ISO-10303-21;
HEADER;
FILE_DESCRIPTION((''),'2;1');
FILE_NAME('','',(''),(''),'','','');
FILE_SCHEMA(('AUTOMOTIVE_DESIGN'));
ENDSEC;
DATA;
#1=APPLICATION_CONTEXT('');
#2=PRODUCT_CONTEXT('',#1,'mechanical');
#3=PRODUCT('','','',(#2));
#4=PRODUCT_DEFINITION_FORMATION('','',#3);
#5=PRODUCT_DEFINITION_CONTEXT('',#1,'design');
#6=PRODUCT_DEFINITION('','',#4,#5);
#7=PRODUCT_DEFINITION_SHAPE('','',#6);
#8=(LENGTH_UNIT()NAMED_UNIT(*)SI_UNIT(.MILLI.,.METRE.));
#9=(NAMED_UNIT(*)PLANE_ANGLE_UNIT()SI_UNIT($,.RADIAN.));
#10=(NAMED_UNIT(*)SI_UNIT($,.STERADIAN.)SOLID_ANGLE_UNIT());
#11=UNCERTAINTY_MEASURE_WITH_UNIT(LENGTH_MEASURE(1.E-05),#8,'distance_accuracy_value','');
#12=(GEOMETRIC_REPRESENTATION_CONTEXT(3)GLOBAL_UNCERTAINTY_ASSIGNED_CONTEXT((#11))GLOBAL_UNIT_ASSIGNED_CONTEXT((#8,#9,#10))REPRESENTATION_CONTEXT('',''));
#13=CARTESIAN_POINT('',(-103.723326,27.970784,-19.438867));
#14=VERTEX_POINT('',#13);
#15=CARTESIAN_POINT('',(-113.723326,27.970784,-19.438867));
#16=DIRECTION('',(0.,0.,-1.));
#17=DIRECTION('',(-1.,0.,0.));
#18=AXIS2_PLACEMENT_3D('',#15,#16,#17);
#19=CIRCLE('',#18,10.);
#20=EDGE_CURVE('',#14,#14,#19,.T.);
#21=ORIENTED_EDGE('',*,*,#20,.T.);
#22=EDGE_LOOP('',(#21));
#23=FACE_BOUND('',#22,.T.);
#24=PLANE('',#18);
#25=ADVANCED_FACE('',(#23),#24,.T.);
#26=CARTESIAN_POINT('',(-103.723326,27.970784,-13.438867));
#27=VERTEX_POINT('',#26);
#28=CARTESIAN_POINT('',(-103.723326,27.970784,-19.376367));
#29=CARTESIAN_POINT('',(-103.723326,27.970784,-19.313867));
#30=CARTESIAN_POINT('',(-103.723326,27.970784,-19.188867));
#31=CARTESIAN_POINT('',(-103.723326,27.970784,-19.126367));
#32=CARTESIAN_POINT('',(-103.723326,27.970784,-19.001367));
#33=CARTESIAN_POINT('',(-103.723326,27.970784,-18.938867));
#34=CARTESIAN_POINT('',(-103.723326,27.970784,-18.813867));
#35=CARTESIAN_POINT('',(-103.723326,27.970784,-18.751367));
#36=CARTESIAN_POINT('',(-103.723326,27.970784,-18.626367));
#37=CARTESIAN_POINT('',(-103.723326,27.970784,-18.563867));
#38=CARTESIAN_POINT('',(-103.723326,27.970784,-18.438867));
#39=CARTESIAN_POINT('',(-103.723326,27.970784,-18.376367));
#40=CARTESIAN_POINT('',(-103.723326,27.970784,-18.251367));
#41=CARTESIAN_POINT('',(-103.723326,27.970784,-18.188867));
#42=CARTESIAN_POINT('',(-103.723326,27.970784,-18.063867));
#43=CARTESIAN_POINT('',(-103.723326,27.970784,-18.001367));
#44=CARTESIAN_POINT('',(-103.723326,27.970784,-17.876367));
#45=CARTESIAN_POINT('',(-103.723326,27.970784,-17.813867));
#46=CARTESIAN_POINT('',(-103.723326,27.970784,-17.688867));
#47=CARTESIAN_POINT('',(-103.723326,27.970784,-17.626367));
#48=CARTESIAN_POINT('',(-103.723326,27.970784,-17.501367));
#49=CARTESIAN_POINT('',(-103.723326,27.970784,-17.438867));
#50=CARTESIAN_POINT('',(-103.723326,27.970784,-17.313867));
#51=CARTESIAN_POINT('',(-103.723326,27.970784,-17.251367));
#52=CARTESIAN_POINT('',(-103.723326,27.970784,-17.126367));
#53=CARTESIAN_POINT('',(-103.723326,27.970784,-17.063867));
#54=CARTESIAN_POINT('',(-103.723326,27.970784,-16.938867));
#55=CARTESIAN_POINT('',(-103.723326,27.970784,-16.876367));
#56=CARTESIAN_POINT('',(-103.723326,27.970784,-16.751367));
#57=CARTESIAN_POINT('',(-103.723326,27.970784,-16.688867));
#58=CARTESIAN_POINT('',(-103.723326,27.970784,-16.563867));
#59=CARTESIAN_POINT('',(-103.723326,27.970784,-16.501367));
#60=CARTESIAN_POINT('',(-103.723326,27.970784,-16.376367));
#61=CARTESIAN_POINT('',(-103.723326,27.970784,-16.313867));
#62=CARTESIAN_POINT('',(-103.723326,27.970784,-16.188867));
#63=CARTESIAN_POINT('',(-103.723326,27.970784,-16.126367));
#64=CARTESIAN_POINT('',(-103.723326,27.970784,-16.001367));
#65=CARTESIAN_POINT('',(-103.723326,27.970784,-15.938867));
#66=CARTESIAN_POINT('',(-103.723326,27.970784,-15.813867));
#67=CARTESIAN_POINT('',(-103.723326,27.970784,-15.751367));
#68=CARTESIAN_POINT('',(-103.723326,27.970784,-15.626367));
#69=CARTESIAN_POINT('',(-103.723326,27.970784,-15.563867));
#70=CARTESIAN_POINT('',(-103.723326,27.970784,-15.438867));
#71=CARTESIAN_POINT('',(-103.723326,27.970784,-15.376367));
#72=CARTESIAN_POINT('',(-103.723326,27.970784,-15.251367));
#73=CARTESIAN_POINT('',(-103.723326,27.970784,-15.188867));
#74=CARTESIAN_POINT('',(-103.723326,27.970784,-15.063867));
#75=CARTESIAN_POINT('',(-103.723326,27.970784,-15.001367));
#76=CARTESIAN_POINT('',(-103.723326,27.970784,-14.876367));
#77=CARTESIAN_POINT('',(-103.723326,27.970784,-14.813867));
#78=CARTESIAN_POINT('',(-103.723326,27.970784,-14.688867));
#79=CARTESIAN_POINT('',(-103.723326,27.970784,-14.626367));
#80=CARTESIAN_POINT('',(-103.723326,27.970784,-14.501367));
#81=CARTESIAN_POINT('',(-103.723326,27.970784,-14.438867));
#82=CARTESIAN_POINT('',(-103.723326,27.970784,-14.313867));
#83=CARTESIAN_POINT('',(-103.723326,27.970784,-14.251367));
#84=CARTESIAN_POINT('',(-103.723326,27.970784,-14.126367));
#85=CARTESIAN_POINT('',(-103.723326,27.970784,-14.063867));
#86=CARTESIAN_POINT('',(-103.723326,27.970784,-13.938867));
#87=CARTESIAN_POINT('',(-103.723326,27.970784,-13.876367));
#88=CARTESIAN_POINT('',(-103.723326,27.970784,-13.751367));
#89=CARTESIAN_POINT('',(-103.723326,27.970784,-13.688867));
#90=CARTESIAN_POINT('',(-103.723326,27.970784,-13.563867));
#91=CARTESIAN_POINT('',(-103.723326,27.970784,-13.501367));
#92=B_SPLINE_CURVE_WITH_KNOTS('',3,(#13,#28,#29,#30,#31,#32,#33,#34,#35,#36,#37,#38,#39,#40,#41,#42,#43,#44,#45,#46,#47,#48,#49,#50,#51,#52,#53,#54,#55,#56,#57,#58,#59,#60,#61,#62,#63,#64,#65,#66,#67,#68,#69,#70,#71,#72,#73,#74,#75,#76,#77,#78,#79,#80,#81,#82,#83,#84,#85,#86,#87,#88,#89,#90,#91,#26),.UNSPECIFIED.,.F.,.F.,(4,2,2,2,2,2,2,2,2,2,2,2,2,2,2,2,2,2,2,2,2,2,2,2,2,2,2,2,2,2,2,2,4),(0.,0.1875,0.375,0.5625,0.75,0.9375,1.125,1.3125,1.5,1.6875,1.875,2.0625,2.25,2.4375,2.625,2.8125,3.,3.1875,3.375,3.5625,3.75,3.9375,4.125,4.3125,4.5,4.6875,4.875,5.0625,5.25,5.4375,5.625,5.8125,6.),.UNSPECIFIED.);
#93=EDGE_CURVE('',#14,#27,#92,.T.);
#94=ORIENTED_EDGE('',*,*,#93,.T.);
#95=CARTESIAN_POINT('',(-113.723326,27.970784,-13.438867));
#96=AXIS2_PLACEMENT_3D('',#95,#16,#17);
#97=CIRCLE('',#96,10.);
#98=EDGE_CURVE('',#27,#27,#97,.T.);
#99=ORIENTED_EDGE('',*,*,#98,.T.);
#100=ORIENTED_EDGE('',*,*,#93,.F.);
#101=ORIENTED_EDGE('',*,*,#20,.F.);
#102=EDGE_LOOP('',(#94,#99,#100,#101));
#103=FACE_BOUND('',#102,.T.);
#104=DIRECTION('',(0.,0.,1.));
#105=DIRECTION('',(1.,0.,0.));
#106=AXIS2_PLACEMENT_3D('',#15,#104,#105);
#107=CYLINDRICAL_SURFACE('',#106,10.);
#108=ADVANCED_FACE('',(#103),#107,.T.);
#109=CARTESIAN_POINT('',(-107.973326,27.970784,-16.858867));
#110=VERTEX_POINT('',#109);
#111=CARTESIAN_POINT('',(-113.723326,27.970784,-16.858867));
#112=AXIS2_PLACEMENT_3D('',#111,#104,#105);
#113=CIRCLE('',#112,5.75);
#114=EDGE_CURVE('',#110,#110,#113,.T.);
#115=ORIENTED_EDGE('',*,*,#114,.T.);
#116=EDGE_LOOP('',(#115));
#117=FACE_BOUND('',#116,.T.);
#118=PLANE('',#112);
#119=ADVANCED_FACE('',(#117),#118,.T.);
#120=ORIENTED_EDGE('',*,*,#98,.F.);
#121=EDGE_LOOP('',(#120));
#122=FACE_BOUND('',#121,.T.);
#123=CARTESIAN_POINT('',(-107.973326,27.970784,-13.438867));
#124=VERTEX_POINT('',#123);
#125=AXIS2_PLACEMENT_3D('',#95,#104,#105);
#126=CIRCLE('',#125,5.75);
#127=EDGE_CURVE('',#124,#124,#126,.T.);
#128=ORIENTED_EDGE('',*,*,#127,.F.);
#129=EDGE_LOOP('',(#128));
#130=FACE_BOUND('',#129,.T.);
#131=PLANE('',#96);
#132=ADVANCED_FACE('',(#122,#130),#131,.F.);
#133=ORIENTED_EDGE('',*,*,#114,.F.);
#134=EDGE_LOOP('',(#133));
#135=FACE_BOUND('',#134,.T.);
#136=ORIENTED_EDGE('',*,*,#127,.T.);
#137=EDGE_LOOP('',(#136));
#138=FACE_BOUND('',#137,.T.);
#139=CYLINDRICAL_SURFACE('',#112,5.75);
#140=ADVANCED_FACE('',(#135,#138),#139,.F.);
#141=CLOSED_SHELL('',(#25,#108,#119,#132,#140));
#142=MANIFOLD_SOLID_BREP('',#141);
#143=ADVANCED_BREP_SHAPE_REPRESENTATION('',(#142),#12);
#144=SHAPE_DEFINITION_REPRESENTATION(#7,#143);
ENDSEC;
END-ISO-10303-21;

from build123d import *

# Parameters (mm, degrees)
EXTRUDE_START       = -13.438867
SKETCH_1_R          = 10
EXTRUDE_1_DEPTH     = 6
SKETCH_2_R          = 5.75
CUT_EXTRUDE_1_DEPTH = 3.42


with BuildPart() as part:
    # 草图1 → 凸台-拉伸1 (new body)
    with BuildSketch(Plane.XY.offset(EXTRUDE_START)):
        with Locations((-113.723326446, 27.970784046)):
            Circle(SKETCH_1_R)
    extrude(amount=-EXTRUDE_1_DEPTH)

    # 草图2 → 切除-拉伸1 (cut)
    with BuildSketch(Plane.XY.offset(-13.43886688)):
        with Locations((-113.723326446, 27.970784046)):
            Circle(SKETCH_2_R)
    extrude(amount=-CUT_EXTRUDE_1_DEPTH, mode=Mode.SUBTRACT)


solid = part.part
